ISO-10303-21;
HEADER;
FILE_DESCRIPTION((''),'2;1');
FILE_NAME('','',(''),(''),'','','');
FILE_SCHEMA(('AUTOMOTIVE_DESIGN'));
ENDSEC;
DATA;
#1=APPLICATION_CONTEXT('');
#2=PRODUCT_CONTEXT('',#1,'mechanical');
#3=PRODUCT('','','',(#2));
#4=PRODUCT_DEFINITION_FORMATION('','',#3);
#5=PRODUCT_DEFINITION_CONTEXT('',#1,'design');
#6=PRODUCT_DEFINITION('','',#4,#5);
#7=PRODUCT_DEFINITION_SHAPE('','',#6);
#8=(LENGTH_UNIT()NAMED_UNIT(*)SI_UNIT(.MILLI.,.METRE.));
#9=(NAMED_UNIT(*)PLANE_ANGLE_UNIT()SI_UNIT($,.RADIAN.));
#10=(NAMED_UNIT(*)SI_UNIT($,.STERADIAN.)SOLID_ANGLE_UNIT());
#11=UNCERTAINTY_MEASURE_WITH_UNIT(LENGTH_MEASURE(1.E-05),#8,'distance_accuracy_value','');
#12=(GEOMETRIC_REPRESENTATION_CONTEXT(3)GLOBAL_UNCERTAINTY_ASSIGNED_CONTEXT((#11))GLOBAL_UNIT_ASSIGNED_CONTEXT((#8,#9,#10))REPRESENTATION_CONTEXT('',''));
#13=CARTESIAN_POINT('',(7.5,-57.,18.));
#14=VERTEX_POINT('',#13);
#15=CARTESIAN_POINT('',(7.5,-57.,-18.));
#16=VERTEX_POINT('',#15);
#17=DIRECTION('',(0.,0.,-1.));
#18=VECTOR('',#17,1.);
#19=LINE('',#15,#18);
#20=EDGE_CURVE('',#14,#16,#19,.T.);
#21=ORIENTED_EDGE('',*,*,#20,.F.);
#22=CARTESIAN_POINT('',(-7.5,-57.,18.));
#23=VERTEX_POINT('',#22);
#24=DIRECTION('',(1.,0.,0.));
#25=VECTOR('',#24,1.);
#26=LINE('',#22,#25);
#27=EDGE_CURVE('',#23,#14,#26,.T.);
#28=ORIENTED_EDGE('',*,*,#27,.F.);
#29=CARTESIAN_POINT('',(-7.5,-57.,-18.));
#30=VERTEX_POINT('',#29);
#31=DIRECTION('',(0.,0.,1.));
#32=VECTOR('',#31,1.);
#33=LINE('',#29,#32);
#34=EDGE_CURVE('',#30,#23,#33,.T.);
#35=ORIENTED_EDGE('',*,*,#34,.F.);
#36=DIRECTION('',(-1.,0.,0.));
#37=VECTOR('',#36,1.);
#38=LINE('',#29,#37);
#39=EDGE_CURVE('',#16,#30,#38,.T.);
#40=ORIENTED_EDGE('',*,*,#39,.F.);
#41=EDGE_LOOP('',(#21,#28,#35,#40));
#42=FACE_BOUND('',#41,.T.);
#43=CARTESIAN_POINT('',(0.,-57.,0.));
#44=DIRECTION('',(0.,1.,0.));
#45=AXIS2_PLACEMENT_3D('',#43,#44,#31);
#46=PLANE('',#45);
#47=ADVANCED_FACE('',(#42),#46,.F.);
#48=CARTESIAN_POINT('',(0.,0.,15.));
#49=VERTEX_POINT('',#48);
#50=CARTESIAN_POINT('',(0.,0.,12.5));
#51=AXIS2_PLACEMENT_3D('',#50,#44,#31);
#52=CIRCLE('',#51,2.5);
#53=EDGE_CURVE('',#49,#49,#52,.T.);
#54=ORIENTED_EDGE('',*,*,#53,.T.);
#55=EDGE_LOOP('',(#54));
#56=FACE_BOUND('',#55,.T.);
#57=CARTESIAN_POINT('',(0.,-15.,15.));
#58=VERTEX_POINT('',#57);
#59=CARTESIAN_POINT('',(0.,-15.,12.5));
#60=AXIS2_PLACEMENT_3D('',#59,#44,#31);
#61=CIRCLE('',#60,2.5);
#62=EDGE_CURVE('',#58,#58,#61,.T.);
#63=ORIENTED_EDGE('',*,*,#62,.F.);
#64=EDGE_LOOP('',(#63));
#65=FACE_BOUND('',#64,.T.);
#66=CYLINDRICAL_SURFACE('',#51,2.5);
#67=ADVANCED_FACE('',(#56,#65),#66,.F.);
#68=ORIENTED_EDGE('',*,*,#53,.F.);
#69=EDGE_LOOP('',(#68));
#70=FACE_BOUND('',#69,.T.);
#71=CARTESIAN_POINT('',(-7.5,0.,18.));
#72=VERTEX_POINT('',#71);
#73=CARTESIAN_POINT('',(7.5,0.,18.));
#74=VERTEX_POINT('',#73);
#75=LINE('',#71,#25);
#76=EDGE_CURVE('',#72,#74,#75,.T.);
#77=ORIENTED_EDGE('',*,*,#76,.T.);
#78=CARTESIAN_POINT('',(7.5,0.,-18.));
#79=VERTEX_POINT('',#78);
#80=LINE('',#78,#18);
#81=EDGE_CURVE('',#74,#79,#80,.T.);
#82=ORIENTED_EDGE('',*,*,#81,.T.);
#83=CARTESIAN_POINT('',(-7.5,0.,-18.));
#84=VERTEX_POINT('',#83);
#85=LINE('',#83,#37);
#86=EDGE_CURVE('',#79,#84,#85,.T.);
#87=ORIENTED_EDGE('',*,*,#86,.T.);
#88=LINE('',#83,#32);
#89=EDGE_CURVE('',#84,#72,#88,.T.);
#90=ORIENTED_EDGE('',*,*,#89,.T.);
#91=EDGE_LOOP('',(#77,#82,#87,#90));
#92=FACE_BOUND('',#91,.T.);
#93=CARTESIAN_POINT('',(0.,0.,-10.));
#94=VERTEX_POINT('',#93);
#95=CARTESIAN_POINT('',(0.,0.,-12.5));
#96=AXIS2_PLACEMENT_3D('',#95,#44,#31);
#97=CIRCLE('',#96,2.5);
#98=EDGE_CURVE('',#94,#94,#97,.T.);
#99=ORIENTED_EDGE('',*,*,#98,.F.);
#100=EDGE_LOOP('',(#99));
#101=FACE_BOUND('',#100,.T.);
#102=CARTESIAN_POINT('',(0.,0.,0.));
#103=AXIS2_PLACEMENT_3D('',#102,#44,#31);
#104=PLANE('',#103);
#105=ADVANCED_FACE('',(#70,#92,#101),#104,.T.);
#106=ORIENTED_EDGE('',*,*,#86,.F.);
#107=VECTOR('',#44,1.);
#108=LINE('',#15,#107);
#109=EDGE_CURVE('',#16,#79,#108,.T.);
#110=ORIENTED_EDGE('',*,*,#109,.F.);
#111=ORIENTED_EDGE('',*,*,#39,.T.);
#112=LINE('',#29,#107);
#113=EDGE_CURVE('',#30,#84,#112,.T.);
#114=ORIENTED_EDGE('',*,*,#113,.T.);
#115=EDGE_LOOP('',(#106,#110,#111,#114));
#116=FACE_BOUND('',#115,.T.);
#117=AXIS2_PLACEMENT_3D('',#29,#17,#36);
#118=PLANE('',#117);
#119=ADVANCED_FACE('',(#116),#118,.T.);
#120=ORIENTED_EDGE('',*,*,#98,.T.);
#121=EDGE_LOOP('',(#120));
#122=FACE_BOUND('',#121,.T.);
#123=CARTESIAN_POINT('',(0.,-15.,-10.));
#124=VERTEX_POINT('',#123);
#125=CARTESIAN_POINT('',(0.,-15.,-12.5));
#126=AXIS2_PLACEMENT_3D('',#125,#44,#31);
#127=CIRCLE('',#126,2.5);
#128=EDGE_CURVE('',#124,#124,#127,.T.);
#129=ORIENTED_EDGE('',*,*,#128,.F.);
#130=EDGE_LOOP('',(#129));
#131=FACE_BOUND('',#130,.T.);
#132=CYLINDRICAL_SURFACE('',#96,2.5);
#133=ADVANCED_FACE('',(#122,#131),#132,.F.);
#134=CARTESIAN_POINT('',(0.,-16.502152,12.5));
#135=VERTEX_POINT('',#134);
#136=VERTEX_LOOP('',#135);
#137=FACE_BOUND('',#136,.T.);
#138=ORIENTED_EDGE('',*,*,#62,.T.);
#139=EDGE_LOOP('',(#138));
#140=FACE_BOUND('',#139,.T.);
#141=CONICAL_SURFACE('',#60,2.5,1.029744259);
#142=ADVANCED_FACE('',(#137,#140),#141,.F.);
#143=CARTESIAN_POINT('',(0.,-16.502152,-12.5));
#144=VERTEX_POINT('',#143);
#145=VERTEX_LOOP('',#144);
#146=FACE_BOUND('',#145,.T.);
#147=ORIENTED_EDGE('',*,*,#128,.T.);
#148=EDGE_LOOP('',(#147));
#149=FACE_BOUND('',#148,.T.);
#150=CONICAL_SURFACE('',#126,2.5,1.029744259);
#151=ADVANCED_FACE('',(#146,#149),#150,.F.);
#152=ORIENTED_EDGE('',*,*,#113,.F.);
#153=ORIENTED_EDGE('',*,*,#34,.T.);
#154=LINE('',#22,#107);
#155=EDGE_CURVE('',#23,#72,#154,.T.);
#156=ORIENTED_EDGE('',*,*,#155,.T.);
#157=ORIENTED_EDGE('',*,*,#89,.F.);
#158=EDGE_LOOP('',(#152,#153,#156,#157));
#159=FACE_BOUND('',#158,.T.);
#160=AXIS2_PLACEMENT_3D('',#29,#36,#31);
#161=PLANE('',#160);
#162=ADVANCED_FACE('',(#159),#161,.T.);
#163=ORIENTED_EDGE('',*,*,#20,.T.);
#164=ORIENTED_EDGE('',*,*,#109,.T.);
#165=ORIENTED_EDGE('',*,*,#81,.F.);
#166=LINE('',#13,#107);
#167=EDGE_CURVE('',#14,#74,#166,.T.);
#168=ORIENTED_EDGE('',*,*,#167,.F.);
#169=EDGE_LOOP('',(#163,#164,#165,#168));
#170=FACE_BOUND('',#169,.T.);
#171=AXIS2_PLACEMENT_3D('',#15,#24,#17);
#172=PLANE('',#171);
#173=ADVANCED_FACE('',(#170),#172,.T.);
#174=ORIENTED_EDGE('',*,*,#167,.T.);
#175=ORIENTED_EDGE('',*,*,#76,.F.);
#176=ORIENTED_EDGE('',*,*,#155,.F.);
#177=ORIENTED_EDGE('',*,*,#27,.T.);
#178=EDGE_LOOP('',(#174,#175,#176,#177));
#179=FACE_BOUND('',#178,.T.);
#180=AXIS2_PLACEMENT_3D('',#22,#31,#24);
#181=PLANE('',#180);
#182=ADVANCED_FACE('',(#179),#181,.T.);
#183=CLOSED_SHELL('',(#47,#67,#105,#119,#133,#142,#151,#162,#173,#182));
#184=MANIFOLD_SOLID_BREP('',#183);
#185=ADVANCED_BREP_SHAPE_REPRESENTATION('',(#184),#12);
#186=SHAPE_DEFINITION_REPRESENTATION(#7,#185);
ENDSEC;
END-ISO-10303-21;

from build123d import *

# Parameters (mm, degrees)
SKETCH1_W             = 15
SKETCH1_H             = 36
BOSS_EXTRUDE1_DEPTH   = 57
M6_TAPPED_HOLE1_D     = 5
M6_TAPPED_HOLE1_DEPTH = 15
M6_TAPPED_HOLE1_TIP   = 1.502151548


with BuildPart() as part:
    # Sketch1 → Boss-Extrude1 (new body)
    with BuildSketch(Plane(origin=(0, 0, 0), x_dir=(1, 0, 0), z_dir=(0, 1, 0))):
        Rectangle(SKETCH1_W, SKETCH1_H)
    extrude(amount=-BOSS_EXTRUDE1_DEPTH)

    # M6 Tapped Hole1
    with Locations(Plane(origin=(0, 0, 0), x_dir=(1, 0, 0), z_dir=(0, 1, 0))):
        with Locations((0, 12.5), (0, -12.5)):
            Hole(M6_TAPPED_HOLE1_D / 2, depth=M6_TAPPED_HOLE1_DEPTH)
            with Locations((0, 0, -(M6_TAPPED_HOLE1_DEPTH + M6_TAPPED_HOLE1_TIP / 2))):  # 118° drill point
                Cone(0, M6_TAPPED_HOLE1_D / 2, M6_TAPPED_HOLE1_TIP, mode=Mode.SUBTRACT)


solid = part.part
